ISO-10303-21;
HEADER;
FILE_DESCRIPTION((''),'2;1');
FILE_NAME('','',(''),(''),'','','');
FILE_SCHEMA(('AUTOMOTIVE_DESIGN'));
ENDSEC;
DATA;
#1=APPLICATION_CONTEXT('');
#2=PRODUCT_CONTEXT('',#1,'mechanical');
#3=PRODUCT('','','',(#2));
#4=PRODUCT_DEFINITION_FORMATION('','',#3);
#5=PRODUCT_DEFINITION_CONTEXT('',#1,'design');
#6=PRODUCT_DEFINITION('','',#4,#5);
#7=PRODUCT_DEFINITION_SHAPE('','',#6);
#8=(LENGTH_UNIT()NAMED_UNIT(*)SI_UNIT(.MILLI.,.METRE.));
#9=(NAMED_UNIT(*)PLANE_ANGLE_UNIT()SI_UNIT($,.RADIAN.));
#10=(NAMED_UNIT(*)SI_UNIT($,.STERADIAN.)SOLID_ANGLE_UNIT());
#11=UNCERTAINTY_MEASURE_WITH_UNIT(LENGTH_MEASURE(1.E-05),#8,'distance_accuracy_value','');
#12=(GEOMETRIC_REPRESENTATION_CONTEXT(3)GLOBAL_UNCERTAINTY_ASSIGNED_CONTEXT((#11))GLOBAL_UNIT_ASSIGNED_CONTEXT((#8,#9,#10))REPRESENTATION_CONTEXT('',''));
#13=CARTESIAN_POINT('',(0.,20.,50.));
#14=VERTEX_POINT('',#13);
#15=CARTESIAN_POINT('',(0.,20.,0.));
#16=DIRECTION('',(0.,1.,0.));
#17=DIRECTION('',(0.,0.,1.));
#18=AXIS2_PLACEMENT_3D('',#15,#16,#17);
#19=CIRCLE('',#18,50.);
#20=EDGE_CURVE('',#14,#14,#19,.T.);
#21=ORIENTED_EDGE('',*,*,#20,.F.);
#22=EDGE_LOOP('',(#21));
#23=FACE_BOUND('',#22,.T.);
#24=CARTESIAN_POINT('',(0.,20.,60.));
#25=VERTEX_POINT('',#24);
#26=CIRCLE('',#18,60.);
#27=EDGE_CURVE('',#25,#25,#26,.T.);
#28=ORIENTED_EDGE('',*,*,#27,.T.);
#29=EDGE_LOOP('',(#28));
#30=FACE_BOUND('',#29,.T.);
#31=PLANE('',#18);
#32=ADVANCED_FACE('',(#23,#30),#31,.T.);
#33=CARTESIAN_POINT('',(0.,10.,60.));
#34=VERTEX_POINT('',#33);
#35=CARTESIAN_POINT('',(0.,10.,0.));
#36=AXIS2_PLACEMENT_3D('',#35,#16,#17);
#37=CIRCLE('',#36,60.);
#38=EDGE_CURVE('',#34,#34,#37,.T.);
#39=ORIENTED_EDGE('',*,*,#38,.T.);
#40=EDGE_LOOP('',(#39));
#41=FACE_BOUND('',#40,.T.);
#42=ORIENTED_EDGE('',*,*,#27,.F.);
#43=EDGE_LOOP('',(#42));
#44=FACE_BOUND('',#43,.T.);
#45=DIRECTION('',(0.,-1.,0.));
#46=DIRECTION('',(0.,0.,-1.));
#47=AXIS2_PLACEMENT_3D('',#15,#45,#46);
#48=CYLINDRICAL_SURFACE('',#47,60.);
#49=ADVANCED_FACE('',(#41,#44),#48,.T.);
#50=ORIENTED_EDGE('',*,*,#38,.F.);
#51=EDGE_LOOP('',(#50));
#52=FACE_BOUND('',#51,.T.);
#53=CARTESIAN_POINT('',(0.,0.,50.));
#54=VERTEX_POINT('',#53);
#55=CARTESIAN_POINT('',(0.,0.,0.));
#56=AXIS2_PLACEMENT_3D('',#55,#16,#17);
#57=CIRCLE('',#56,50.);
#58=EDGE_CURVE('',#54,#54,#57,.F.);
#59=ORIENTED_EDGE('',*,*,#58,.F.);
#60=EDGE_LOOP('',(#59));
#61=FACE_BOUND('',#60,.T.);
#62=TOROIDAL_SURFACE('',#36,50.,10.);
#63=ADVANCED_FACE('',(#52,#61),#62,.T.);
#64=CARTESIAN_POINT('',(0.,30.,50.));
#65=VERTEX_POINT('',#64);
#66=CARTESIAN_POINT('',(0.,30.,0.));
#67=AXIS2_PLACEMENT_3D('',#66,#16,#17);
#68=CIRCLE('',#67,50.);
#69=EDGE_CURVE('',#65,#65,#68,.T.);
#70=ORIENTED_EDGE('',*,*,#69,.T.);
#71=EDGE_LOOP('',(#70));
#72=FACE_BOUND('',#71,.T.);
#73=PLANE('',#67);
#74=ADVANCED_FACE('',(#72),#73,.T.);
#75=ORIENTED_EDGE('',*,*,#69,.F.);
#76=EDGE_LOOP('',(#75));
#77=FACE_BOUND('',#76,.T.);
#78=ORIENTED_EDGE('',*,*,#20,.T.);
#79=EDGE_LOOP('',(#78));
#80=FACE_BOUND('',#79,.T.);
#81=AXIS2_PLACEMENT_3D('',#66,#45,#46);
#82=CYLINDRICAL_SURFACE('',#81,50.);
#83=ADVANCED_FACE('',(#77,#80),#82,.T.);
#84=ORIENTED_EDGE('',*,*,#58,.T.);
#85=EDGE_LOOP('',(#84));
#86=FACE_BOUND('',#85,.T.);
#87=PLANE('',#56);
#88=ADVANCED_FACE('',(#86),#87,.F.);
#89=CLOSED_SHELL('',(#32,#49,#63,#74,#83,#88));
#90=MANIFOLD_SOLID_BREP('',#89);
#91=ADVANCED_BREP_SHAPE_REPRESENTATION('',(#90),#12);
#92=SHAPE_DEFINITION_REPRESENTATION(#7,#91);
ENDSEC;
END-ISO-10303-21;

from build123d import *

# Parameters (mm, degrees)
SKETCH1_R           = 60
BOSS_EXTRUDE1_DEPTH = 20
SKETCH2_R           = 50
BOSS_EXTRUDE2_DEPTH = 10
FILLET1_R           = 10


with BuildPart() as part:
    # Sketch1 → Boss-Extrude1 (new body)
    with BuildSketch(Plane(origin=(0, 0, 0), x_dir=(1, 0, 0), z_dir=(0, 1, 0))):
        Circle(SKETCH1_R)
    extrude(amount=BOSS_EXTRUDE1_DEPTH)

    # Sketch2 → Boss-Extrude2 (add)
    with BuildSketch(Plane(origin=(0, 20, 0), x_dir=(1, 0, 0), z_dir=(0, 1, 0))):
        Circle(SKETCH2_R)
    extrude(amount=BOSS_EXTRUDE2_DEPTH)

    # Fillet1
    fillet1_edges = [part.edges().sort_by_distance(p)[0] for p in [
        (-60, 0, 0),
    ]]
    fillet(fillet1_edges, radius=FILLET1_R)


solid = part.part
